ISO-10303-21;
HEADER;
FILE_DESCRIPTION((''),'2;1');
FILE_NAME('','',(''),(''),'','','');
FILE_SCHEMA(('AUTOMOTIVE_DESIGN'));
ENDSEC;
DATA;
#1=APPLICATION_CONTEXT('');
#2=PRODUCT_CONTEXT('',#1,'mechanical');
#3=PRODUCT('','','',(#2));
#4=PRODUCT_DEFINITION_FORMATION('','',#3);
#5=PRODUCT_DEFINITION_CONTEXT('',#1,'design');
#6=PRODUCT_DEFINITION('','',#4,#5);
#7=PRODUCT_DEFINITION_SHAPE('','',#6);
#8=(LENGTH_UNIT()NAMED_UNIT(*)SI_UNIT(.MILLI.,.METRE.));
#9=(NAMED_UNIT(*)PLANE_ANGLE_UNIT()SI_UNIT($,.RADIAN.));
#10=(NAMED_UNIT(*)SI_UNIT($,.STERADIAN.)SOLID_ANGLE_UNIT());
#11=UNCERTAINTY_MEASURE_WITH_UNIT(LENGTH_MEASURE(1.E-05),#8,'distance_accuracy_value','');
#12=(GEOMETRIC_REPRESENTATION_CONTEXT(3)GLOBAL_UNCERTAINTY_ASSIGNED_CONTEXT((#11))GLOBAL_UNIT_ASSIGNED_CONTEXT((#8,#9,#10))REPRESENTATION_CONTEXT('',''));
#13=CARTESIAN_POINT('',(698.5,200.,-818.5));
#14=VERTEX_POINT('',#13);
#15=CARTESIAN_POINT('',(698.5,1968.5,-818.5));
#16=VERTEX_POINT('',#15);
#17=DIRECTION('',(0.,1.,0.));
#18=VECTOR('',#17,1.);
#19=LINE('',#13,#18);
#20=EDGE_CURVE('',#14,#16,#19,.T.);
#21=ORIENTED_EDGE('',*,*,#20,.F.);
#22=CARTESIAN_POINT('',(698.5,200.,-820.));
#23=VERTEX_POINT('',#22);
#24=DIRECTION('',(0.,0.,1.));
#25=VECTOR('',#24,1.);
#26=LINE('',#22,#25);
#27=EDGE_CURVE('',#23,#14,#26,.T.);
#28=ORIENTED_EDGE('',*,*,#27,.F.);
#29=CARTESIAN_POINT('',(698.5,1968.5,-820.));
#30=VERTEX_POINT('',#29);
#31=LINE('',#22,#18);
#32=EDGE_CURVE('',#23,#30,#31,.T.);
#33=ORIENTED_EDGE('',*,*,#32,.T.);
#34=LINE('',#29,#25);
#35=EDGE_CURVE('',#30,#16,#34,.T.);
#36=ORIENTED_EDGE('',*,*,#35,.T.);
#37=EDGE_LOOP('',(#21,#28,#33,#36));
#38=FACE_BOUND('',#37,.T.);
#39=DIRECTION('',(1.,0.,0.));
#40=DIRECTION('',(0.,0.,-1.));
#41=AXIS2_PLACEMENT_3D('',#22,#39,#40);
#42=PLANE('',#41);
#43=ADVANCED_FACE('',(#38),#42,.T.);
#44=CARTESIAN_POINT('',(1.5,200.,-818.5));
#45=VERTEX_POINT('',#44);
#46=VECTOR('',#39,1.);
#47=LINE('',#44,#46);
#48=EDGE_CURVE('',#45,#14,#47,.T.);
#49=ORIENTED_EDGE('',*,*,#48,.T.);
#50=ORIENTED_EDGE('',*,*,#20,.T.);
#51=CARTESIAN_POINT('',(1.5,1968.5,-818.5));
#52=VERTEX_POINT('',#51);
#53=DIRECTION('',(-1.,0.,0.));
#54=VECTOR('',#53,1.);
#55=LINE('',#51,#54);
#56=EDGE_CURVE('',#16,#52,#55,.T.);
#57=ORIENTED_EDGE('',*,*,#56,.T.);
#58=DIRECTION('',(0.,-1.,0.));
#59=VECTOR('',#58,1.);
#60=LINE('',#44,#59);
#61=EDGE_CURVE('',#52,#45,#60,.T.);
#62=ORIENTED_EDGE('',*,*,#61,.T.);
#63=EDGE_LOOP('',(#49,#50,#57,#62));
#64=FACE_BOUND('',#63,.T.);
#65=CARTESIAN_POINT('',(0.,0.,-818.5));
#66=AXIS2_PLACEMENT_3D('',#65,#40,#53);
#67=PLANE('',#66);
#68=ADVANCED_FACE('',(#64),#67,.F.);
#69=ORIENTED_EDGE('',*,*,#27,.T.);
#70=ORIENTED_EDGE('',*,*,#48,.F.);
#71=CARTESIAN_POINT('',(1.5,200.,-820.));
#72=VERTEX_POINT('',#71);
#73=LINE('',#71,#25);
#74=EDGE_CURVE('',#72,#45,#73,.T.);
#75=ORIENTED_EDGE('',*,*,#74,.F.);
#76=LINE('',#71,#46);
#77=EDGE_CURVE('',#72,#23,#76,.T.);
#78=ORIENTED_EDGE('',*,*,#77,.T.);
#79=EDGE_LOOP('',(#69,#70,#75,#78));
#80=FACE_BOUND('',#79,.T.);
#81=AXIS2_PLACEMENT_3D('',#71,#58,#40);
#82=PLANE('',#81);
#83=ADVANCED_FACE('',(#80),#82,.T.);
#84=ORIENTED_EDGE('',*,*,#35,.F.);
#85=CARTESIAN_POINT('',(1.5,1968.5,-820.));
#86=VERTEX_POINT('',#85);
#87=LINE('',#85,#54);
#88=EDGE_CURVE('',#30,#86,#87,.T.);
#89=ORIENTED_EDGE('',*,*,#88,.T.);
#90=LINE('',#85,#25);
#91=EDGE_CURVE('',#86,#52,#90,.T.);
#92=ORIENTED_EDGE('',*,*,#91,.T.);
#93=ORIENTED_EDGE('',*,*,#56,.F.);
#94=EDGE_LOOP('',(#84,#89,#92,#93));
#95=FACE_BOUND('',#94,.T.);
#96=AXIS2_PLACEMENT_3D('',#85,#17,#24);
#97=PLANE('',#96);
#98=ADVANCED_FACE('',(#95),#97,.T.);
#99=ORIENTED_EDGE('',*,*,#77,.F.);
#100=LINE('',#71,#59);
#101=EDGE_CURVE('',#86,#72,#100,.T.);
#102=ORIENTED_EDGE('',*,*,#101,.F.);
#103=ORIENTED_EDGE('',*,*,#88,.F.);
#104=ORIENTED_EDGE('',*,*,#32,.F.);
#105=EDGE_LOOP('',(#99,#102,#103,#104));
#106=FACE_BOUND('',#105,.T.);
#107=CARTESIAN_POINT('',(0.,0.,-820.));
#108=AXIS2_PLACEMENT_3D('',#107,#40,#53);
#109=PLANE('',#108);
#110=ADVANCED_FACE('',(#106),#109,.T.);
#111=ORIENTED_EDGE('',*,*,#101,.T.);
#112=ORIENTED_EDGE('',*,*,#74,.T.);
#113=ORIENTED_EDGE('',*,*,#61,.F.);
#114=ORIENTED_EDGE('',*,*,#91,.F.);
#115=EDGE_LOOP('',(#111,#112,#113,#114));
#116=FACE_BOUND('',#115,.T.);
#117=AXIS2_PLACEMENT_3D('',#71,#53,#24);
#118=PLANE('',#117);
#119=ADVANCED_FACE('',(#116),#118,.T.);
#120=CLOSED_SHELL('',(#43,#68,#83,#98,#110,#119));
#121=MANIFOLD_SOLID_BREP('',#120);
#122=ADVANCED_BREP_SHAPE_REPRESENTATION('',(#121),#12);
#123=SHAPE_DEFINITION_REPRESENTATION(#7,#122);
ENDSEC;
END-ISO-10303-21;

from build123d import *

# Parameters (mm, degrees)
TOPPING_DIS_ARKA_1_START = -818.5
SKETCH1_W                = 697
SKETCH1_H                = 1768.5
TOPPING_DIS_ARKA_1_DEPTH = 1.5


with BuildPart() as part:
    # Sketch1 → TOPPING_dis_arka_1 (new body)
    with BuildSketch(Plane.XY.offset(TOPPING_DIS_ARKA_1_START)):
        with Locations((350, 1084.25)):
            Rectangle(SKETCH1_W, SKETCH1_H)
    extrude(amount=-TOPPING_DIS_ARKA_1_DEPTH)


solid = part.part
